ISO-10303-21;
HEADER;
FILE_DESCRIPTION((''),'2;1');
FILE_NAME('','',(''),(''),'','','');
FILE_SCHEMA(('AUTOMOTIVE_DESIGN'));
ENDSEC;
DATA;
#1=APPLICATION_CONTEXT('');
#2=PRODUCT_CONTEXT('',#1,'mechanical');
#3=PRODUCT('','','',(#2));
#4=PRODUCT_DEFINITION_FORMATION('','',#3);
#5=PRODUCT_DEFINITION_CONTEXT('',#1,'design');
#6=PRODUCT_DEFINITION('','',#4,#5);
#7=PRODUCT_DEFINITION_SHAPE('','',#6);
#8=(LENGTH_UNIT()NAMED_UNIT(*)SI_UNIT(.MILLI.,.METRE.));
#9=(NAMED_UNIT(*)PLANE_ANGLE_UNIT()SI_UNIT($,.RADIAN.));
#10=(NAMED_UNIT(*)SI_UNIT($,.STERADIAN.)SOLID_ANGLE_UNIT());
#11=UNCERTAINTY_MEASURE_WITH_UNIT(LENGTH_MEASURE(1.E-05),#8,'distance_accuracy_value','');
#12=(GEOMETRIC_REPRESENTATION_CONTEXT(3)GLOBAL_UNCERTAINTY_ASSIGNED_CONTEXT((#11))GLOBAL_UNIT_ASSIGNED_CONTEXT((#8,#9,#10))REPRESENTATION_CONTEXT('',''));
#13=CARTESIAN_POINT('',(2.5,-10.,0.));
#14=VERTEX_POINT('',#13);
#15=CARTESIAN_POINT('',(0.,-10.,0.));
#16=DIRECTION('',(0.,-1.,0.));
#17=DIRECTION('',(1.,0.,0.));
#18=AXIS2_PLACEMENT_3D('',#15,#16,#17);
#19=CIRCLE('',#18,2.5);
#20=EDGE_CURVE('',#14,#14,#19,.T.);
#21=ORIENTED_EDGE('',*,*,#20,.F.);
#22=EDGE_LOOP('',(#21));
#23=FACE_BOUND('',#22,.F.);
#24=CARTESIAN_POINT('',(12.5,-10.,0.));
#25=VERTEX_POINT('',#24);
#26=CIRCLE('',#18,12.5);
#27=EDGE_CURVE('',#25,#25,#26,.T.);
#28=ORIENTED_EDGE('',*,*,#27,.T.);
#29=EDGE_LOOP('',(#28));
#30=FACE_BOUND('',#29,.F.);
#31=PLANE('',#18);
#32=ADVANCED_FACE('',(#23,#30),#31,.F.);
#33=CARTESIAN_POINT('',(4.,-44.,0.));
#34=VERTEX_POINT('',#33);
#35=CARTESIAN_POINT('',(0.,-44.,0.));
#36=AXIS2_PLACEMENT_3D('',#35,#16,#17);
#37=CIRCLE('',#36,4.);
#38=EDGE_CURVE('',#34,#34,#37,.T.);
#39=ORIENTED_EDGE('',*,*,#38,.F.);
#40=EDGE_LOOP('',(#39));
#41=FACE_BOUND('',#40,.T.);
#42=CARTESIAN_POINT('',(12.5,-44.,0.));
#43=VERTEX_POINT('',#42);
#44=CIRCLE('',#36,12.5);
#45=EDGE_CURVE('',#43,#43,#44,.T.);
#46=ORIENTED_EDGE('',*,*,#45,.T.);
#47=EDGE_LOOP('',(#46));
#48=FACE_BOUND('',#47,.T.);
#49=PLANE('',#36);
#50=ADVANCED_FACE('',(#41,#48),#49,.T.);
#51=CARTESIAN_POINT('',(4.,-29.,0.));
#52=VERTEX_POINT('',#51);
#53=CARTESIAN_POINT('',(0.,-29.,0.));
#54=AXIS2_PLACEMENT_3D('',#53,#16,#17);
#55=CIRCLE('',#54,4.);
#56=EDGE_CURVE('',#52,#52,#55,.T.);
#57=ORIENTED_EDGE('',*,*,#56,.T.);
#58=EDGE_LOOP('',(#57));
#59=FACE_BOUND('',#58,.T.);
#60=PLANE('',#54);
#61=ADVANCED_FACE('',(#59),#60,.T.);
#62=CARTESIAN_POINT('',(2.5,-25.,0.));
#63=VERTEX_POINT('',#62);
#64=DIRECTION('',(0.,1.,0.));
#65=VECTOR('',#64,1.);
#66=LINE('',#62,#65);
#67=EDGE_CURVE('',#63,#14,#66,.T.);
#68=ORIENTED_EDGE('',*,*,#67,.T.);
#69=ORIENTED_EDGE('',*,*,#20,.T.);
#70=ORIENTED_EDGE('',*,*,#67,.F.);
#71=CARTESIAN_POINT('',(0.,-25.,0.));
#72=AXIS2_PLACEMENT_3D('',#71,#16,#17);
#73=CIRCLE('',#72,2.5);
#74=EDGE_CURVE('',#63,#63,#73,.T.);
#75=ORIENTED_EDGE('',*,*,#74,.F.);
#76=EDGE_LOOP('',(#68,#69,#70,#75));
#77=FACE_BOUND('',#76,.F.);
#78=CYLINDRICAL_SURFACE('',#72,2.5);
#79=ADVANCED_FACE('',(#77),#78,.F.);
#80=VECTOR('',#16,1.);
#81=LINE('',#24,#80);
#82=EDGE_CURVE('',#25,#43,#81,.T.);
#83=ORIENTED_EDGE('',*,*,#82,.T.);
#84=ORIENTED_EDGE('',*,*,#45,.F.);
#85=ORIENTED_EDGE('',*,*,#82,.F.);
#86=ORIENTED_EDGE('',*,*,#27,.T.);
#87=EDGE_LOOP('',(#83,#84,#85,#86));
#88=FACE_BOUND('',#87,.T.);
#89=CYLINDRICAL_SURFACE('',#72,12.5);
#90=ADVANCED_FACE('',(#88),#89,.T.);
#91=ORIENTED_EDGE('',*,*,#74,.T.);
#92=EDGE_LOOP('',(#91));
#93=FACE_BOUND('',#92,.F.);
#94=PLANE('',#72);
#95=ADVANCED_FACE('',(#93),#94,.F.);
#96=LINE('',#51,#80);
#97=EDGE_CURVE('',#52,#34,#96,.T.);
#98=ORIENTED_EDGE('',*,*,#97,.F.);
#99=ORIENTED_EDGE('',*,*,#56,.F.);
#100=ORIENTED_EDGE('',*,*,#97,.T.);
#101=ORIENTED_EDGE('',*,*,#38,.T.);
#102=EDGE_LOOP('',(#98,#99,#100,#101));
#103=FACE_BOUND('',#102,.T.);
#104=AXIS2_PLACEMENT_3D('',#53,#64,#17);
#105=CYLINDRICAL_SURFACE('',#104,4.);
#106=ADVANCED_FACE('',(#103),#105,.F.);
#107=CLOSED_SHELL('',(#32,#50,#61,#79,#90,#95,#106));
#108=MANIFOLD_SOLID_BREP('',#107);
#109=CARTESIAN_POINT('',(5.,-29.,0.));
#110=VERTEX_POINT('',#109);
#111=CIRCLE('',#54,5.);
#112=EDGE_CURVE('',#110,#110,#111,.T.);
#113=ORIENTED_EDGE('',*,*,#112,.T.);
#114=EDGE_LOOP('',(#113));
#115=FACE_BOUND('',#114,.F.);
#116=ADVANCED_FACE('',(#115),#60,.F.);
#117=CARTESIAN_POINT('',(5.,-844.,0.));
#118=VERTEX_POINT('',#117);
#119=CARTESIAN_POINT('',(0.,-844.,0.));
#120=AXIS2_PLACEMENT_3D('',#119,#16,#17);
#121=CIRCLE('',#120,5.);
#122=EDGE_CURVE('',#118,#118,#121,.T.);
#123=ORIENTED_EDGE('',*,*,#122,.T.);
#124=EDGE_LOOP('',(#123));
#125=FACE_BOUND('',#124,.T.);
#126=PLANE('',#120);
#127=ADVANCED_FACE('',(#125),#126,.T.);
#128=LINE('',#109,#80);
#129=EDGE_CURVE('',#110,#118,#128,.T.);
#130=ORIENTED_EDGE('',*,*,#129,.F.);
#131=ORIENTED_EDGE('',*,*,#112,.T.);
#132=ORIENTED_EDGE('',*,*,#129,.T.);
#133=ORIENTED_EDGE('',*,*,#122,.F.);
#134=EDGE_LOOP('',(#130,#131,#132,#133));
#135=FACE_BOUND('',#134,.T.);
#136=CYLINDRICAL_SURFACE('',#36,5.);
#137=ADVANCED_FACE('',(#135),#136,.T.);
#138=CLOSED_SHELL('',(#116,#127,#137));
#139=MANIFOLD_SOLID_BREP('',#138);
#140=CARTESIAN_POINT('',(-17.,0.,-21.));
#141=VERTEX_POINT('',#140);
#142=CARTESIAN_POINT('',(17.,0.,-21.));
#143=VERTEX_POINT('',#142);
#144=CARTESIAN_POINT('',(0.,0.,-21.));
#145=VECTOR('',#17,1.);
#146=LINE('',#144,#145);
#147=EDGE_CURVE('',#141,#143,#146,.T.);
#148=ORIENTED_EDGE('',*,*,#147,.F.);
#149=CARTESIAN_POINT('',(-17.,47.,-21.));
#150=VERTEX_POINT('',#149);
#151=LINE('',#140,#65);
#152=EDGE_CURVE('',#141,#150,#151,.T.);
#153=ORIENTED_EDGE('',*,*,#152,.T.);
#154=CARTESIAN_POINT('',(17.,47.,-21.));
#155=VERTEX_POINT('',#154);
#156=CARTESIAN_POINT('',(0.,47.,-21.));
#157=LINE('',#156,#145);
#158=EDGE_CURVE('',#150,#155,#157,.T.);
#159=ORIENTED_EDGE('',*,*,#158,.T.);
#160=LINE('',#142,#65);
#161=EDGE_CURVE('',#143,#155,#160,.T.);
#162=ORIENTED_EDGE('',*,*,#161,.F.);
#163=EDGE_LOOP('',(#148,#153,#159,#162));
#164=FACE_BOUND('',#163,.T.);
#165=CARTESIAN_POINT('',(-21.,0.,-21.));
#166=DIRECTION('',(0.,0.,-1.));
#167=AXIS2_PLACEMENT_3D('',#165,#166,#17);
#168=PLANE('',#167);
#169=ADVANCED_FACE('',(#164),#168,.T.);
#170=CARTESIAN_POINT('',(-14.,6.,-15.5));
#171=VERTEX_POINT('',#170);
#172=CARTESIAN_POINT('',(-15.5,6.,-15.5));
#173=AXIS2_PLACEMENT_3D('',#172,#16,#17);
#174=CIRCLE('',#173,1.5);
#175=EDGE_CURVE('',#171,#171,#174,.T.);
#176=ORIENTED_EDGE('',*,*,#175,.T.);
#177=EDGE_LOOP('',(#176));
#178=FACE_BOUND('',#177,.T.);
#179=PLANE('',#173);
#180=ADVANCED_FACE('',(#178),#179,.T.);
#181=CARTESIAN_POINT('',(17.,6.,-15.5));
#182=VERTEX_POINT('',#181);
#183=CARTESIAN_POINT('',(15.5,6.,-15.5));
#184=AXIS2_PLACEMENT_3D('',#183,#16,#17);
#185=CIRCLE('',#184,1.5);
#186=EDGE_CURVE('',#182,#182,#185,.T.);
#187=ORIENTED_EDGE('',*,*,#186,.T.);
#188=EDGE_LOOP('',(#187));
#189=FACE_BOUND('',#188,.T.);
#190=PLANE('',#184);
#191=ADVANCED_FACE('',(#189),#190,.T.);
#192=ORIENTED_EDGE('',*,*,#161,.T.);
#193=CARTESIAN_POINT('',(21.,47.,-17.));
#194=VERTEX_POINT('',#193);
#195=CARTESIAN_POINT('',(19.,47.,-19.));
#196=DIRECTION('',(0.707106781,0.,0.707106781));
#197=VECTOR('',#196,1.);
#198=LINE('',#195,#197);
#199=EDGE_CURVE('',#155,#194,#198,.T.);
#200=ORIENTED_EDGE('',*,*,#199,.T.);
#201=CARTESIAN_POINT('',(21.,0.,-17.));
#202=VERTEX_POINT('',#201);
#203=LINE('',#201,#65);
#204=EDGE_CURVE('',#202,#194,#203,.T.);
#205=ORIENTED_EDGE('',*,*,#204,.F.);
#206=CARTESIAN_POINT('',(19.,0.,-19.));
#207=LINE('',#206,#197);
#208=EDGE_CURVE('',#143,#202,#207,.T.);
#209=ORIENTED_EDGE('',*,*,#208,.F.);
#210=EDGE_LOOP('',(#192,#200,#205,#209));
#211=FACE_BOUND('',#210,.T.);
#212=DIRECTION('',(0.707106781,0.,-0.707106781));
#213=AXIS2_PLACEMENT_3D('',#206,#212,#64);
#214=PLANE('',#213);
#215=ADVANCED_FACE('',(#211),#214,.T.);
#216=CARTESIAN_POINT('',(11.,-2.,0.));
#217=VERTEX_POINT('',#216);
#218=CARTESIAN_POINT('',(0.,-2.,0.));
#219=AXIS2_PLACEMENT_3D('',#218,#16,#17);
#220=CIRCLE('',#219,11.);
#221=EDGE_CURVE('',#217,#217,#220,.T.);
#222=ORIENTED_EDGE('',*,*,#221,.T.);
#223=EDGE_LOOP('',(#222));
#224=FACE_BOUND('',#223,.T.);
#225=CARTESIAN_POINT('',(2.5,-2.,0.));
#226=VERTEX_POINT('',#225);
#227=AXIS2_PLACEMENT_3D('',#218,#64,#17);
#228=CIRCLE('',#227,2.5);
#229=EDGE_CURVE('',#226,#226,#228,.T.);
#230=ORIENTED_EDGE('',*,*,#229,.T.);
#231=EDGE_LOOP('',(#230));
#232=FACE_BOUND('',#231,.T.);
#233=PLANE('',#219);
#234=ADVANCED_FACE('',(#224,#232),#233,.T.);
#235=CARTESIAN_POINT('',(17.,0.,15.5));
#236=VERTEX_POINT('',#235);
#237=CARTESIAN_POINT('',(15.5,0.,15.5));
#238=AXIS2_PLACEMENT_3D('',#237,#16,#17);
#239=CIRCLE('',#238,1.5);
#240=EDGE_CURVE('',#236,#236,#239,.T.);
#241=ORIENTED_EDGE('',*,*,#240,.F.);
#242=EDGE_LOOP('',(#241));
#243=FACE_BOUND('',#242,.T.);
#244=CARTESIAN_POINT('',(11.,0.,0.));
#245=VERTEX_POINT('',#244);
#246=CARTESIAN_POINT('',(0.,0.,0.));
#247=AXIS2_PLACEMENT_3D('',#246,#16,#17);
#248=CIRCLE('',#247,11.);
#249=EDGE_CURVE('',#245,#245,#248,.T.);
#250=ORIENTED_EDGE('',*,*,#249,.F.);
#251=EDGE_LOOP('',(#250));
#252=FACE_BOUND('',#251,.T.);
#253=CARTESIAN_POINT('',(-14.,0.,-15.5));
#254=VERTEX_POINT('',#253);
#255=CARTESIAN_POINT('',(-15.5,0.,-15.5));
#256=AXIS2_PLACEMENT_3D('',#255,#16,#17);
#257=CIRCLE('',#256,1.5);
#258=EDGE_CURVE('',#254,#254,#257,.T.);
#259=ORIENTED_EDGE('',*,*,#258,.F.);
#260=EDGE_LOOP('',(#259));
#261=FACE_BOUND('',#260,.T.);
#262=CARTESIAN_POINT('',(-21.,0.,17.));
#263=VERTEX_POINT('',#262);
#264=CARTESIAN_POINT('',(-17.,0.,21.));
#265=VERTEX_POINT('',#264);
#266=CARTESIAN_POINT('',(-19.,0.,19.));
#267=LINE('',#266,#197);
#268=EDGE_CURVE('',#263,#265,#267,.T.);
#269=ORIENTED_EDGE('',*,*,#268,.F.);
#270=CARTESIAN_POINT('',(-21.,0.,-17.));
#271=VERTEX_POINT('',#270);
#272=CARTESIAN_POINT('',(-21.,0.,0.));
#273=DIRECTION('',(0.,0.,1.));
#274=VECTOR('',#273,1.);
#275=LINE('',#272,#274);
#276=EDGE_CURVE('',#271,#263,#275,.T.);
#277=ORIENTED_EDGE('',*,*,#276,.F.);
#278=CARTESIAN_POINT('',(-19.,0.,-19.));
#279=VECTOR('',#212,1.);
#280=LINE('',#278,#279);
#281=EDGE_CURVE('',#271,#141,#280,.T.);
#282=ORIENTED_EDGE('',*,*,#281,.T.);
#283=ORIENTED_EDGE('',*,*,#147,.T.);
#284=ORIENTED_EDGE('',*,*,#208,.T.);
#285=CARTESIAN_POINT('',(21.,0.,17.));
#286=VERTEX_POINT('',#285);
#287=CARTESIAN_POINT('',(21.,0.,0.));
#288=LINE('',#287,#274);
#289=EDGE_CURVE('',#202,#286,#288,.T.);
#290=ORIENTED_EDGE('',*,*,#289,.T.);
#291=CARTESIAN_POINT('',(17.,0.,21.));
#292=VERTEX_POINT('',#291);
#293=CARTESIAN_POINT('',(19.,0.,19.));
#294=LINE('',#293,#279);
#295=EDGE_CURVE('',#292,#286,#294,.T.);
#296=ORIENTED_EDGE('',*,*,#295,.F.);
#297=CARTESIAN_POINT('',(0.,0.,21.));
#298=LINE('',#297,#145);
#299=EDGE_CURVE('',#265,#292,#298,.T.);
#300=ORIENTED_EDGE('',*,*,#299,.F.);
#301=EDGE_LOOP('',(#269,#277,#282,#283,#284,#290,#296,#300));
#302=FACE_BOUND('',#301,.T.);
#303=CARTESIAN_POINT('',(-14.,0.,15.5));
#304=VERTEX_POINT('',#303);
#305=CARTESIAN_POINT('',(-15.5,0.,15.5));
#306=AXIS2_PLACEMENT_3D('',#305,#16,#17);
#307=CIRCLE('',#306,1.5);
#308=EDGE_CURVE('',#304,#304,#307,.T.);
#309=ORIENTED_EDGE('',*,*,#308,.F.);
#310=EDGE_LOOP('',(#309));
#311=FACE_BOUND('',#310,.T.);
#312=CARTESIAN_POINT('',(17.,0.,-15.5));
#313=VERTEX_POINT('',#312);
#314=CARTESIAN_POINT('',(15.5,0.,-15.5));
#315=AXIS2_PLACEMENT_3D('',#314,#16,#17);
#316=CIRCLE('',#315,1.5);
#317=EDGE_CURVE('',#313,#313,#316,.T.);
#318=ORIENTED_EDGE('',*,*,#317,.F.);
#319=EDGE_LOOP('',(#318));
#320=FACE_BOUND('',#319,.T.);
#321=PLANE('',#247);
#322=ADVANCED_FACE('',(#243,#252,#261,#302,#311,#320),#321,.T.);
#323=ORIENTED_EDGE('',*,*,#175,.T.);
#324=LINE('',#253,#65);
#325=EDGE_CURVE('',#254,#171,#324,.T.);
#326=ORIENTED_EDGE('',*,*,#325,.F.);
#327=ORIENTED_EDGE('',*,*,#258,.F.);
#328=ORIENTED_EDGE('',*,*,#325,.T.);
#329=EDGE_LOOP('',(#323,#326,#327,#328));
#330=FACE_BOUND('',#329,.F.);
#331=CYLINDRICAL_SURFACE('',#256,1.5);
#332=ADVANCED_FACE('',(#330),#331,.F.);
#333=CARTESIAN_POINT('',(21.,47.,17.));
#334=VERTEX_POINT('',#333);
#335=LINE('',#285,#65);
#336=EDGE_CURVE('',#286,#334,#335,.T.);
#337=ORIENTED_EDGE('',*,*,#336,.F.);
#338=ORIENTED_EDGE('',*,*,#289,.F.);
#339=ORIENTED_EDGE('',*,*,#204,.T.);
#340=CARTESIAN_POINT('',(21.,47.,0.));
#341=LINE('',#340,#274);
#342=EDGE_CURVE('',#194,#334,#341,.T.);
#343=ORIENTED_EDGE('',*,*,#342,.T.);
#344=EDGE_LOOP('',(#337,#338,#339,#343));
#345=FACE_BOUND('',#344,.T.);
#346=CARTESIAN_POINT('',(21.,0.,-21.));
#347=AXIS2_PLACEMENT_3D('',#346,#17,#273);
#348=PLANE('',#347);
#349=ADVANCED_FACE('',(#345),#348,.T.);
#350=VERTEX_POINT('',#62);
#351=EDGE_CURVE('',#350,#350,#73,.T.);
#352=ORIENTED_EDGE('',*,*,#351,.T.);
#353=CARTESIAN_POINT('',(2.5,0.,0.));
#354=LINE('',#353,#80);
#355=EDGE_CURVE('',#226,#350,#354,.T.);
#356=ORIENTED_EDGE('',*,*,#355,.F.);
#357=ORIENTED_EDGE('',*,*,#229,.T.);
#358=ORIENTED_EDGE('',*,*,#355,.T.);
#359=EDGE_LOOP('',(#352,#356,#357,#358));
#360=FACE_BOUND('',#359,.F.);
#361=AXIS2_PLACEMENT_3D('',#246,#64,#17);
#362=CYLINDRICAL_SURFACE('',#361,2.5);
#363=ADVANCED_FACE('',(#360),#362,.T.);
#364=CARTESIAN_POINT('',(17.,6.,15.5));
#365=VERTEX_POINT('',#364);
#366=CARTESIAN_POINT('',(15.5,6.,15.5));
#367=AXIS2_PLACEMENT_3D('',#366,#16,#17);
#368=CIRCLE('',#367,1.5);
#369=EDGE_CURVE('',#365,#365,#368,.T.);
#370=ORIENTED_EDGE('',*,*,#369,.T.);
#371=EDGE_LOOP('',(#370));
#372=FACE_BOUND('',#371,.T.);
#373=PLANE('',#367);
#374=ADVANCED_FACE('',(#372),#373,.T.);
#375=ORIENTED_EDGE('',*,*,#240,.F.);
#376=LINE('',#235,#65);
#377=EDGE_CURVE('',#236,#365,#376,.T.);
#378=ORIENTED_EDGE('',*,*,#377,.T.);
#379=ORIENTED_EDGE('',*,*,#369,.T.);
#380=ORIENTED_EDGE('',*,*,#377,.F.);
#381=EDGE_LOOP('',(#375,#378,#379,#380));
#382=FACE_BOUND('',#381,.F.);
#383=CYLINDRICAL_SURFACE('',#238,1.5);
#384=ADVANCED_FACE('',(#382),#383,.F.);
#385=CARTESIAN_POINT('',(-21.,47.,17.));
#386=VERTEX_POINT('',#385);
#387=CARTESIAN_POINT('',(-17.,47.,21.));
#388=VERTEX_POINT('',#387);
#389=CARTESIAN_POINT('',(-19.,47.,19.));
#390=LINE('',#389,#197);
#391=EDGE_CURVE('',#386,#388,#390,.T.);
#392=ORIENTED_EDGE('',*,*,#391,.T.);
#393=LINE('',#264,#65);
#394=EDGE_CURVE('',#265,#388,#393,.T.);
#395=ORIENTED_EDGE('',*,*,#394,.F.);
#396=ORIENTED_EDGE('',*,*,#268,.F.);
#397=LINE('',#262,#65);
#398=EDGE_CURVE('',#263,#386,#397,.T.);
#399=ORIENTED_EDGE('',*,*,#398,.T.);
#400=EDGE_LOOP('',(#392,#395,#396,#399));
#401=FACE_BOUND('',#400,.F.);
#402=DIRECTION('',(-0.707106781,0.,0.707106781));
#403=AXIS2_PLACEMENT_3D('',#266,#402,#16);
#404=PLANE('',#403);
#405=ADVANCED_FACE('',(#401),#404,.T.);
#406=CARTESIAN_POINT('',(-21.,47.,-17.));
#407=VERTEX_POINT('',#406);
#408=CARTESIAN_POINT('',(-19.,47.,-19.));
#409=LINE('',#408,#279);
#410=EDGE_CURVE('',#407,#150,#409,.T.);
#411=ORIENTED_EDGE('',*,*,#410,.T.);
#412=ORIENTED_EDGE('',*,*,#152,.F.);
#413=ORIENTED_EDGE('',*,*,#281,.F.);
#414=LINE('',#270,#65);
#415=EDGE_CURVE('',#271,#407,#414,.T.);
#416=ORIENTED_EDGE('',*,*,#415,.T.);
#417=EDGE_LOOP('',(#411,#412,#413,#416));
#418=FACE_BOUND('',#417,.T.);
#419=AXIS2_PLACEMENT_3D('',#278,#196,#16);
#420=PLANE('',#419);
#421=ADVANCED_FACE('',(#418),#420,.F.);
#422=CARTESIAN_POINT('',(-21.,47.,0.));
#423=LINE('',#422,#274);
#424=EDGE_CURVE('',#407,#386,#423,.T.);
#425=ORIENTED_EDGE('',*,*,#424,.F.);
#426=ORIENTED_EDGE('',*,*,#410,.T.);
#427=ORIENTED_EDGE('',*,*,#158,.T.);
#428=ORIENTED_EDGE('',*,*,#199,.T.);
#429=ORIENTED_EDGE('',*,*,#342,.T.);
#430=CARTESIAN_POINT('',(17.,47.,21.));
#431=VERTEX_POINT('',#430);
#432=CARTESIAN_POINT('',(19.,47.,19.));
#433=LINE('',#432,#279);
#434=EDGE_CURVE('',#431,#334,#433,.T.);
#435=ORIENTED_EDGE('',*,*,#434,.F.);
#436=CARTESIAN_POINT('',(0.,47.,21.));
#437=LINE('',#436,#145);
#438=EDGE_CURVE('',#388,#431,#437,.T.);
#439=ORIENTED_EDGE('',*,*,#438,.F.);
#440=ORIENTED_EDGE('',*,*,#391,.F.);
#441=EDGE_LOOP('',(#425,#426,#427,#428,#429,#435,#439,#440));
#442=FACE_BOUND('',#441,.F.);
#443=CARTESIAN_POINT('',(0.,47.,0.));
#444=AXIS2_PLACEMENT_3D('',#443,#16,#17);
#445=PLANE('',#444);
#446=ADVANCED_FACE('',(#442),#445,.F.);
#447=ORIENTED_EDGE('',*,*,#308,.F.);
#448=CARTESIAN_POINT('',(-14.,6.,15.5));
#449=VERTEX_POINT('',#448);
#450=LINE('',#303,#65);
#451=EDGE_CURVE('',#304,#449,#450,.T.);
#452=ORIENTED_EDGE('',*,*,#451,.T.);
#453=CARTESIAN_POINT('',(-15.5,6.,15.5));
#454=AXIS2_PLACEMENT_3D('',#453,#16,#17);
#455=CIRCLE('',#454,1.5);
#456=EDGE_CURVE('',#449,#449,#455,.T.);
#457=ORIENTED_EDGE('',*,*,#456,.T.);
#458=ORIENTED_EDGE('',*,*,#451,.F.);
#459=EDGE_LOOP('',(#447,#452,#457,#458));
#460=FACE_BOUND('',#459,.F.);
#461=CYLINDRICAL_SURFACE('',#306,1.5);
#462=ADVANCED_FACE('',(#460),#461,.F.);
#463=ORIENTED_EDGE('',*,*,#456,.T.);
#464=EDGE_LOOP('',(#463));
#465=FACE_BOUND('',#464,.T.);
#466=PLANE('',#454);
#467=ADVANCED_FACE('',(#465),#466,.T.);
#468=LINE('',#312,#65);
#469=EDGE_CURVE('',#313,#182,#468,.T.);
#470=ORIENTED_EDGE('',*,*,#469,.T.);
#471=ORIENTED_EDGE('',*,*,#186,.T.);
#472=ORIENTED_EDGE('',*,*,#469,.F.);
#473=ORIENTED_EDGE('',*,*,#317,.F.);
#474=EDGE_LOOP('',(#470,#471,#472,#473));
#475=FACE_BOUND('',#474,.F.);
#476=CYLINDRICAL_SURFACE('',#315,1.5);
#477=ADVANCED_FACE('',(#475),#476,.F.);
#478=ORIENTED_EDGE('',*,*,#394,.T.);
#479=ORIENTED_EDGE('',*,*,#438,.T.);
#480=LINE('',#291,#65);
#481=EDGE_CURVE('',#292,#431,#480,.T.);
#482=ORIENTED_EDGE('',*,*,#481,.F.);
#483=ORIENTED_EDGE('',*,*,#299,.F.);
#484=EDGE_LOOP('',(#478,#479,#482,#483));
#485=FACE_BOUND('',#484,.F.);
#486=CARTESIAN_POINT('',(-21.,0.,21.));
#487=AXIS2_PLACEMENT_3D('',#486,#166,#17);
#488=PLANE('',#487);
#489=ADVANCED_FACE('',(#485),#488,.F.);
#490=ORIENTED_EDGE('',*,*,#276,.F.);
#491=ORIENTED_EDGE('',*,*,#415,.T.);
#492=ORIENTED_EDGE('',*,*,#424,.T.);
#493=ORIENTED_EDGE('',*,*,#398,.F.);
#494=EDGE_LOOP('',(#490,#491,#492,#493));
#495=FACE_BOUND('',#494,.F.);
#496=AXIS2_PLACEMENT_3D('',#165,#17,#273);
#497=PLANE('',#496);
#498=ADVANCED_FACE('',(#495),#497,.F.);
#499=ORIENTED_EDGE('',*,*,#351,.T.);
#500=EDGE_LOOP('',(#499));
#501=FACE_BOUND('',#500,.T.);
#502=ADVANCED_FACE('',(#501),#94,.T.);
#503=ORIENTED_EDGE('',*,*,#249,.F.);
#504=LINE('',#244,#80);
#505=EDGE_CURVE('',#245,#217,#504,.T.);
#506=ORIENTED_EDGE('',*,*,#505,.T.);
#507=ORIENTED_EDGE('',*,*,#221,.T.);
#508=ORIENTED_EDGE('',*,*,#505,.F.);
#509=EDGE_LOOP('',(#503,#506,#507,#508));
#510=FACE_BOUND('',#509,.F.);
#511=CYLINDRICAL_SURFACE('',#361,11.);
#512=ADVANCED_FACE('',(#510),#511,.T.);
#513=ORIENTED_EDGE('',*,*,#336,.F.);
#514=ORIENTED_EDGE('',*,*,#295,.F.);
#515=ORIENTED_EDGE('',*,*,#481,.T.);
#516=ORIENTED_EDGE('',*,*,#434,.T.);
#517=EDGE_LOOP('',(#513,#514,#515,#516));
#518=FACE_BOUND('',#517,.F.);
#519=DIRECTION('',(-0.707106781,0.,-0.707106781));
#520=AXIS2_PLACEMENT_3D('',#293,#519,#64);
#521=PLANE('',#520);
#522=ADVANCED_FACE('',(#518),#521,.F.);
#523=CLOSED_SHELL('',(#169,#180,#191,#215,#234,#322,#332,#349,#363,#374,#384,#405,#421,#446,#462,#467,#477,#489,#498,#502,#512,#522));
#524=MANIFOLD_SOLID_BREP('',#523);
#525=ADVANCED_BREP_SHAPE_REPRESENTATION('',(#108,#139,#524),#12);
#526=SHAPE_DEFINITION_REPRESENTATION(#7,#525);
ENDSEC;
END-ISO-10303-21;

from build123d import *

# Parameters (mm, degrees)
F0_W           = 42
F0_H           = 42
F0_R           = 11
F0_R_2         = 2.5
F1_DEPTH       = 47
F2_DEPTH       = 2
F3_DEPTH       = 25
F4_SIZE        = 4
F5_R           = 1.5
F6_DEPTH       = 6
F7_R           = 12.5
F7_R_2         = 4
F7_R_3         = 2.5
F8_DEPTH       = 19
F8_DEPTH_BACK  = 15
F9_DEPTH       = 15
F10_START      = 4
F10_DEPTH      = 15
F11_R          = 5
F11_R_2        = 4
F12_DEPTH      = 800
F12_DEPTH_BACK = 15


with BuildPart() as f1:
    # F0 (on Front) → F1 (new body)
    with BuildSketch(Plane.XZ):
        Rectangle(F0_W, F0_H)
        Circle(F0_R, mode=Mode.SUBTRACT)
        Circle(F0_R)
        Circle(F0_R_2, mode=Mode.SUBTRACT)
        Circle(F0_R_2)
    extrude(amount=-F1_DEPTH)

    # F0 (on Front) → F2 (join)
    with BuildSketch(Plane.XZ):
        Circle(F0_R)
        Circle(F0_R_2, mode=Mode.SUBTRACT)
        Circle(F0_R_2)
    extrude(amount=F2_DEPTH)

    # F0 (on Front) → F3 (join)
    with BuildSketch(Plane.XZ):
        Circle(F0_R_2)
    extrude(amount=F3_DEPTH)

    # F4
    f4_edges = [f1.edges().sort_by_distance(p)[0] for p in [
        (21, 23.5, 21),
        (-21, 23.5, 21),
        (21, 23.5, -21),
        (-21, 23.5, -21),
    ]]
    chamfer(f4_edges, length=F4_SIZE)

    # F5 (on face) → F6 (cut)
    with BuildSketch(Plane.XZ):
        with Locations((15.5, -15.5)):
            Circle(F5_R)
        with Locations((-15.5, -15.5)):
            Circle(F5_R)
        with Locations((-15.5, 15.5)):
            Circle(F5_R)
        with Locations((15.5, 15.5)):
            Circle(F5_R)
    extrude(amount=-F6_DEPTH, mode=Mode.SUBTRACT)


with BuildPart() as f8:
    # F7 (on face) → F8 (new body, two sides)
    with BuildSketch(Plane.XZ.offset(25)) as f8_sk:
        Circle(F7_R)
        Circle(F7_R_2, mode=Mode.SUBTRACT)
        Circle(F7_R_2)
        Circle(F7_R_3, mode=Mode.SUBTRACT)
        Circle(F7_R_3)
    extrude(amount=F8_DEPTH)
    extrude(f8_sk.sketch, amount=-F8_DEPTH_BACK)

    # F7 (on face) → F9 (cut)
    with BuildSketch(Plane.XZ.offset(25)):
        Circle(F7_R_3)
    extrude(amount=-F9_DEPTH, mode=Mode.SUBTRACT)

    # F7 (on face) → F10 (cut)
    with BuildSketch(Plane.XZ.offset(25).offset(F10_START)):
        Circle(F7_R_2)
        Circle(F7_R_3, mode=Mode.SUBTRACT)
        Circle(F7_R_3)
    extrude(amount=F10_DEPTH, mode=Mode.SUBTRACT)


with BuildPart() as f12:
    # F11 (on face) → F12 (new body, two sides)
    with BuildSketch(Plane.XZ.offset(44)) as f12_sk:
        Circle(F11_R)
        Circle(F11_R_2, mode=Mode.SUBTRACT)
        Circle(F11_R_2)
    extrude(amount=F12_DEPTH)
    extrude(f12_sk.sketch, amount=-F12_DEPTH_BACK)


solid = Compound([f1.part, f8.part, f12.part])
